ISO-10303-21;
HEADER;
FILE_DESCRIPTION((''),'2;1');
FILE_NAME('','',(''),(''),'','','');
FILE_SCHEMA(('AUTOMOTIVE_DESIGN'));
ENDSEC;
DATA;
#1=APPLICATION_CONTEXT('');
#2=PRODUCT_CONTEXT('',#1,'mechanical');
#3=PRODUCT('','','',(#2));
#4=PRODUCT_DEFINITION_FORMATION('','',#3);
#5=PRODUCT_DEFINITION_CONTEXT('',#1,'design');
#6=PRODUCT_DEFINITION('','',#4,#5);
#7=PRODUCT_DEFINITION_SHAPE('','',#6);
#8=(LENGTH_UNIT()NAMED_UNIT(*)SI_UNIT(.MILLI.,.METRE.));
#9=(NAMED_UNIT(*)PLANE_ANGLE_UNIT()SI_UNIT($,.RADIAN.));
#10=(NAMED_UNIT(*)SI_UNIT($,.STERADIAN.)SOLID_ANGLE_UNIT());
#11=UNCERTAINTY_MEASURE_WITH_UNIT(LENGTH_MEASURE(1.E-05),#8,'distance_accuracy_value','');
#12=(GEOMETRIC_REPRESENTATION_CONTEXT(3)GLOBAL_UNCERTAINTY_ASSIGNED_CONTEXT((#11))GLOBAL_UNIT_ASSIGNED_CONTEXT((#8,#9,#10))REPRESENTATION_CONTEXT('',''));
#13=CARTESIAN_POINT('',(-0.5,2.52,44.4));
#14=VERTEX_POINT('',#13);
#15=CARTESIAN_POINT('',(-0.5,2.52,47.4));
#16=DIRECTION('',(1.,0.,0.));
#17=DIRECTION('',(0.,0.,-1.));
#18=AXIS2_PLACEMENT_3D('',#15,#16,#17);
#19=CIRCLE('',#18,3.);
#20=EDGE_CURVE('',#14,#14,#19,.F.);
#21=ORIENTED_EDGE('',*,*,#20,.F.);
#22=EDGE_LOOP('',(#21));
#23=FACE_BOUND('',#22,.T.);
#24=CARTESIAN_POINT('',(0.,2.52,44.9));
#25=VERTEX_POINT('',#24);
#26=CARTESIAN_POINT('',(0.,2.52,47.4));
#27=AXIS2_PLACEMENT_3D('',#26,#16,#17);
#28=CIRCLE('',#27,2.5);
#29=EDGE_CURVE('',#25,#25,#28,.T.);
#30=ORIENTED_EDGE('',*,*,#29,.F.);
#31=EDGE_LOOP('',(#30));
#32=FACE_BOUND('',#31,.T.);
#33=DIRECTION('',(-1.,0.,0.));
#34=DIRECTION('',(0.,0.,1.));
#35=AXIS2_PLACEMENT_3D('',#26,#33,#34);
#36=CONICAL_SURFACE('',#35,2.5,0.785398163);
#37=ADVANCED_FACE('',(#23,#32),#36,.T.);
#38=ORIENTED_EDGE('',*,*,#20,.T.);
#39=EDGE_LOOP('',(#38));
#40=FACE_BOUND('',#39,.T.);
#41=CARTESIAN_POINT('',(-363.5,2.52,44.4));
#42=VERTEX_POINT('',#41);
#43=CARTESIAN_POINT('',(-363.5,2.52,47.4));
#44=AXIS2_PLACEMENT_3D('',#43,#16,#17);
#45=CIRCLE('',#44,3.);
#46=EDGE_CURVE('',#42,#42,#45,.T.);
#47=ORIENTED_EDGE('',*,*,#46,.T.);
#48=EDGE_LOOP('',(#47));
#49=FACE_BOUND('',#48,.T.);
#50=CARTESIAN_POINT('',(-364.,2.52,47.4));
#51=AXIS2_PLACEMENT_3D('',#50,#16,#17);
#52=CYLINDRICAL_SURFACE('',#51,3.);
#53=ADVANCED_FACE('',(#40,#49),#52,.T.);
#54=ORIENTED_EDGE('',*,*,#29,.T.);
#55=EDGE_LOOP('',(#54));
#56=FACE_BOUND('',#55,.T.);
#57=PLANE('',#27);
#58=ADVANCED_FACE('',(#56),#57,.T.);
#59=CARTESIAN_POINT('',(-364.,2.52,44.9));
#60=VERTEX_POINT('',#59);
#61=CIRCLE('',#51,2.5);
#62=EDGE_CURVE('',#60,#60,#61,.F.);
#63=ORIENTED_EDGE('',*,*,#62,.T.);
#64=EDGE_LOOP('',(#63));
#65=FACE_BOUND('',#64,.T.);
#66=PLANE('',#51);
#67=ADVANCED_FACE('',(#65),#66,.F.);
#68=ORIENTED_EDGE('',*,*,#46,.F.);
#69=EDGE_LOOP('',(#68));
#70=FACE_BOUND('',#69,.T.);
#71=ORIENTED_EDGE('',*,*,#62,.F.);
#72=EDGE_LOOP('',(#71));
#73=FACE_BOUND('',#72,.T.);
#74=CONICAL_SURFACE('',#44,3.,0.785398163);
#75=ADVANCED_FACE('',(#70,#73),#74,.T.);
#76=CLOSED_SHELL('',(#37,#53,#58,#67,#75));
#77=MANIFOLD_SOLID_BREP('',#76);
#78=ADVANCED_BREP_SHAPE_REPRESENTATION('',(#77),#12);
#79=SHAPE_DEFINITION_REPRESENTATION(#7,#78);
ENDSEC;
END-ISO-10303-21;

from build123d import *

# Parameters (mm, degrees)
SZKIC1_R                    = 3
DODANIE_WYCI_GNI_CIE1_DEPTH = 364
SFAZOWANIE1_SIZE            = 0.5


with BuildPart() as part:
    # Szkic1 → Dodanie-wyciągnięcie1 (new body)
    with BuildSketch(Plane(origin=(0, 0, 0), x_dir=(0, 0, -1), z_dir=(1, 0, 0))):
        with Locations((-47.4, 2.52)):
            Circle(SZKIC1_R)
    extrude(amount=-DODANIE_WYCI_GNI_CIE1_DEPTH)

    # Sfazowanie1
    sfazowanie1_edges = [part.edges().sort_by_distance(p)[0] for p in [
        (0, 2.52, 50.4),
        (-364, 2.52, 50.4),
    ]]
    chamfer(sfazowanie1_edges, length=SFAZOWANIE1_SIZE)


solid = part.part
